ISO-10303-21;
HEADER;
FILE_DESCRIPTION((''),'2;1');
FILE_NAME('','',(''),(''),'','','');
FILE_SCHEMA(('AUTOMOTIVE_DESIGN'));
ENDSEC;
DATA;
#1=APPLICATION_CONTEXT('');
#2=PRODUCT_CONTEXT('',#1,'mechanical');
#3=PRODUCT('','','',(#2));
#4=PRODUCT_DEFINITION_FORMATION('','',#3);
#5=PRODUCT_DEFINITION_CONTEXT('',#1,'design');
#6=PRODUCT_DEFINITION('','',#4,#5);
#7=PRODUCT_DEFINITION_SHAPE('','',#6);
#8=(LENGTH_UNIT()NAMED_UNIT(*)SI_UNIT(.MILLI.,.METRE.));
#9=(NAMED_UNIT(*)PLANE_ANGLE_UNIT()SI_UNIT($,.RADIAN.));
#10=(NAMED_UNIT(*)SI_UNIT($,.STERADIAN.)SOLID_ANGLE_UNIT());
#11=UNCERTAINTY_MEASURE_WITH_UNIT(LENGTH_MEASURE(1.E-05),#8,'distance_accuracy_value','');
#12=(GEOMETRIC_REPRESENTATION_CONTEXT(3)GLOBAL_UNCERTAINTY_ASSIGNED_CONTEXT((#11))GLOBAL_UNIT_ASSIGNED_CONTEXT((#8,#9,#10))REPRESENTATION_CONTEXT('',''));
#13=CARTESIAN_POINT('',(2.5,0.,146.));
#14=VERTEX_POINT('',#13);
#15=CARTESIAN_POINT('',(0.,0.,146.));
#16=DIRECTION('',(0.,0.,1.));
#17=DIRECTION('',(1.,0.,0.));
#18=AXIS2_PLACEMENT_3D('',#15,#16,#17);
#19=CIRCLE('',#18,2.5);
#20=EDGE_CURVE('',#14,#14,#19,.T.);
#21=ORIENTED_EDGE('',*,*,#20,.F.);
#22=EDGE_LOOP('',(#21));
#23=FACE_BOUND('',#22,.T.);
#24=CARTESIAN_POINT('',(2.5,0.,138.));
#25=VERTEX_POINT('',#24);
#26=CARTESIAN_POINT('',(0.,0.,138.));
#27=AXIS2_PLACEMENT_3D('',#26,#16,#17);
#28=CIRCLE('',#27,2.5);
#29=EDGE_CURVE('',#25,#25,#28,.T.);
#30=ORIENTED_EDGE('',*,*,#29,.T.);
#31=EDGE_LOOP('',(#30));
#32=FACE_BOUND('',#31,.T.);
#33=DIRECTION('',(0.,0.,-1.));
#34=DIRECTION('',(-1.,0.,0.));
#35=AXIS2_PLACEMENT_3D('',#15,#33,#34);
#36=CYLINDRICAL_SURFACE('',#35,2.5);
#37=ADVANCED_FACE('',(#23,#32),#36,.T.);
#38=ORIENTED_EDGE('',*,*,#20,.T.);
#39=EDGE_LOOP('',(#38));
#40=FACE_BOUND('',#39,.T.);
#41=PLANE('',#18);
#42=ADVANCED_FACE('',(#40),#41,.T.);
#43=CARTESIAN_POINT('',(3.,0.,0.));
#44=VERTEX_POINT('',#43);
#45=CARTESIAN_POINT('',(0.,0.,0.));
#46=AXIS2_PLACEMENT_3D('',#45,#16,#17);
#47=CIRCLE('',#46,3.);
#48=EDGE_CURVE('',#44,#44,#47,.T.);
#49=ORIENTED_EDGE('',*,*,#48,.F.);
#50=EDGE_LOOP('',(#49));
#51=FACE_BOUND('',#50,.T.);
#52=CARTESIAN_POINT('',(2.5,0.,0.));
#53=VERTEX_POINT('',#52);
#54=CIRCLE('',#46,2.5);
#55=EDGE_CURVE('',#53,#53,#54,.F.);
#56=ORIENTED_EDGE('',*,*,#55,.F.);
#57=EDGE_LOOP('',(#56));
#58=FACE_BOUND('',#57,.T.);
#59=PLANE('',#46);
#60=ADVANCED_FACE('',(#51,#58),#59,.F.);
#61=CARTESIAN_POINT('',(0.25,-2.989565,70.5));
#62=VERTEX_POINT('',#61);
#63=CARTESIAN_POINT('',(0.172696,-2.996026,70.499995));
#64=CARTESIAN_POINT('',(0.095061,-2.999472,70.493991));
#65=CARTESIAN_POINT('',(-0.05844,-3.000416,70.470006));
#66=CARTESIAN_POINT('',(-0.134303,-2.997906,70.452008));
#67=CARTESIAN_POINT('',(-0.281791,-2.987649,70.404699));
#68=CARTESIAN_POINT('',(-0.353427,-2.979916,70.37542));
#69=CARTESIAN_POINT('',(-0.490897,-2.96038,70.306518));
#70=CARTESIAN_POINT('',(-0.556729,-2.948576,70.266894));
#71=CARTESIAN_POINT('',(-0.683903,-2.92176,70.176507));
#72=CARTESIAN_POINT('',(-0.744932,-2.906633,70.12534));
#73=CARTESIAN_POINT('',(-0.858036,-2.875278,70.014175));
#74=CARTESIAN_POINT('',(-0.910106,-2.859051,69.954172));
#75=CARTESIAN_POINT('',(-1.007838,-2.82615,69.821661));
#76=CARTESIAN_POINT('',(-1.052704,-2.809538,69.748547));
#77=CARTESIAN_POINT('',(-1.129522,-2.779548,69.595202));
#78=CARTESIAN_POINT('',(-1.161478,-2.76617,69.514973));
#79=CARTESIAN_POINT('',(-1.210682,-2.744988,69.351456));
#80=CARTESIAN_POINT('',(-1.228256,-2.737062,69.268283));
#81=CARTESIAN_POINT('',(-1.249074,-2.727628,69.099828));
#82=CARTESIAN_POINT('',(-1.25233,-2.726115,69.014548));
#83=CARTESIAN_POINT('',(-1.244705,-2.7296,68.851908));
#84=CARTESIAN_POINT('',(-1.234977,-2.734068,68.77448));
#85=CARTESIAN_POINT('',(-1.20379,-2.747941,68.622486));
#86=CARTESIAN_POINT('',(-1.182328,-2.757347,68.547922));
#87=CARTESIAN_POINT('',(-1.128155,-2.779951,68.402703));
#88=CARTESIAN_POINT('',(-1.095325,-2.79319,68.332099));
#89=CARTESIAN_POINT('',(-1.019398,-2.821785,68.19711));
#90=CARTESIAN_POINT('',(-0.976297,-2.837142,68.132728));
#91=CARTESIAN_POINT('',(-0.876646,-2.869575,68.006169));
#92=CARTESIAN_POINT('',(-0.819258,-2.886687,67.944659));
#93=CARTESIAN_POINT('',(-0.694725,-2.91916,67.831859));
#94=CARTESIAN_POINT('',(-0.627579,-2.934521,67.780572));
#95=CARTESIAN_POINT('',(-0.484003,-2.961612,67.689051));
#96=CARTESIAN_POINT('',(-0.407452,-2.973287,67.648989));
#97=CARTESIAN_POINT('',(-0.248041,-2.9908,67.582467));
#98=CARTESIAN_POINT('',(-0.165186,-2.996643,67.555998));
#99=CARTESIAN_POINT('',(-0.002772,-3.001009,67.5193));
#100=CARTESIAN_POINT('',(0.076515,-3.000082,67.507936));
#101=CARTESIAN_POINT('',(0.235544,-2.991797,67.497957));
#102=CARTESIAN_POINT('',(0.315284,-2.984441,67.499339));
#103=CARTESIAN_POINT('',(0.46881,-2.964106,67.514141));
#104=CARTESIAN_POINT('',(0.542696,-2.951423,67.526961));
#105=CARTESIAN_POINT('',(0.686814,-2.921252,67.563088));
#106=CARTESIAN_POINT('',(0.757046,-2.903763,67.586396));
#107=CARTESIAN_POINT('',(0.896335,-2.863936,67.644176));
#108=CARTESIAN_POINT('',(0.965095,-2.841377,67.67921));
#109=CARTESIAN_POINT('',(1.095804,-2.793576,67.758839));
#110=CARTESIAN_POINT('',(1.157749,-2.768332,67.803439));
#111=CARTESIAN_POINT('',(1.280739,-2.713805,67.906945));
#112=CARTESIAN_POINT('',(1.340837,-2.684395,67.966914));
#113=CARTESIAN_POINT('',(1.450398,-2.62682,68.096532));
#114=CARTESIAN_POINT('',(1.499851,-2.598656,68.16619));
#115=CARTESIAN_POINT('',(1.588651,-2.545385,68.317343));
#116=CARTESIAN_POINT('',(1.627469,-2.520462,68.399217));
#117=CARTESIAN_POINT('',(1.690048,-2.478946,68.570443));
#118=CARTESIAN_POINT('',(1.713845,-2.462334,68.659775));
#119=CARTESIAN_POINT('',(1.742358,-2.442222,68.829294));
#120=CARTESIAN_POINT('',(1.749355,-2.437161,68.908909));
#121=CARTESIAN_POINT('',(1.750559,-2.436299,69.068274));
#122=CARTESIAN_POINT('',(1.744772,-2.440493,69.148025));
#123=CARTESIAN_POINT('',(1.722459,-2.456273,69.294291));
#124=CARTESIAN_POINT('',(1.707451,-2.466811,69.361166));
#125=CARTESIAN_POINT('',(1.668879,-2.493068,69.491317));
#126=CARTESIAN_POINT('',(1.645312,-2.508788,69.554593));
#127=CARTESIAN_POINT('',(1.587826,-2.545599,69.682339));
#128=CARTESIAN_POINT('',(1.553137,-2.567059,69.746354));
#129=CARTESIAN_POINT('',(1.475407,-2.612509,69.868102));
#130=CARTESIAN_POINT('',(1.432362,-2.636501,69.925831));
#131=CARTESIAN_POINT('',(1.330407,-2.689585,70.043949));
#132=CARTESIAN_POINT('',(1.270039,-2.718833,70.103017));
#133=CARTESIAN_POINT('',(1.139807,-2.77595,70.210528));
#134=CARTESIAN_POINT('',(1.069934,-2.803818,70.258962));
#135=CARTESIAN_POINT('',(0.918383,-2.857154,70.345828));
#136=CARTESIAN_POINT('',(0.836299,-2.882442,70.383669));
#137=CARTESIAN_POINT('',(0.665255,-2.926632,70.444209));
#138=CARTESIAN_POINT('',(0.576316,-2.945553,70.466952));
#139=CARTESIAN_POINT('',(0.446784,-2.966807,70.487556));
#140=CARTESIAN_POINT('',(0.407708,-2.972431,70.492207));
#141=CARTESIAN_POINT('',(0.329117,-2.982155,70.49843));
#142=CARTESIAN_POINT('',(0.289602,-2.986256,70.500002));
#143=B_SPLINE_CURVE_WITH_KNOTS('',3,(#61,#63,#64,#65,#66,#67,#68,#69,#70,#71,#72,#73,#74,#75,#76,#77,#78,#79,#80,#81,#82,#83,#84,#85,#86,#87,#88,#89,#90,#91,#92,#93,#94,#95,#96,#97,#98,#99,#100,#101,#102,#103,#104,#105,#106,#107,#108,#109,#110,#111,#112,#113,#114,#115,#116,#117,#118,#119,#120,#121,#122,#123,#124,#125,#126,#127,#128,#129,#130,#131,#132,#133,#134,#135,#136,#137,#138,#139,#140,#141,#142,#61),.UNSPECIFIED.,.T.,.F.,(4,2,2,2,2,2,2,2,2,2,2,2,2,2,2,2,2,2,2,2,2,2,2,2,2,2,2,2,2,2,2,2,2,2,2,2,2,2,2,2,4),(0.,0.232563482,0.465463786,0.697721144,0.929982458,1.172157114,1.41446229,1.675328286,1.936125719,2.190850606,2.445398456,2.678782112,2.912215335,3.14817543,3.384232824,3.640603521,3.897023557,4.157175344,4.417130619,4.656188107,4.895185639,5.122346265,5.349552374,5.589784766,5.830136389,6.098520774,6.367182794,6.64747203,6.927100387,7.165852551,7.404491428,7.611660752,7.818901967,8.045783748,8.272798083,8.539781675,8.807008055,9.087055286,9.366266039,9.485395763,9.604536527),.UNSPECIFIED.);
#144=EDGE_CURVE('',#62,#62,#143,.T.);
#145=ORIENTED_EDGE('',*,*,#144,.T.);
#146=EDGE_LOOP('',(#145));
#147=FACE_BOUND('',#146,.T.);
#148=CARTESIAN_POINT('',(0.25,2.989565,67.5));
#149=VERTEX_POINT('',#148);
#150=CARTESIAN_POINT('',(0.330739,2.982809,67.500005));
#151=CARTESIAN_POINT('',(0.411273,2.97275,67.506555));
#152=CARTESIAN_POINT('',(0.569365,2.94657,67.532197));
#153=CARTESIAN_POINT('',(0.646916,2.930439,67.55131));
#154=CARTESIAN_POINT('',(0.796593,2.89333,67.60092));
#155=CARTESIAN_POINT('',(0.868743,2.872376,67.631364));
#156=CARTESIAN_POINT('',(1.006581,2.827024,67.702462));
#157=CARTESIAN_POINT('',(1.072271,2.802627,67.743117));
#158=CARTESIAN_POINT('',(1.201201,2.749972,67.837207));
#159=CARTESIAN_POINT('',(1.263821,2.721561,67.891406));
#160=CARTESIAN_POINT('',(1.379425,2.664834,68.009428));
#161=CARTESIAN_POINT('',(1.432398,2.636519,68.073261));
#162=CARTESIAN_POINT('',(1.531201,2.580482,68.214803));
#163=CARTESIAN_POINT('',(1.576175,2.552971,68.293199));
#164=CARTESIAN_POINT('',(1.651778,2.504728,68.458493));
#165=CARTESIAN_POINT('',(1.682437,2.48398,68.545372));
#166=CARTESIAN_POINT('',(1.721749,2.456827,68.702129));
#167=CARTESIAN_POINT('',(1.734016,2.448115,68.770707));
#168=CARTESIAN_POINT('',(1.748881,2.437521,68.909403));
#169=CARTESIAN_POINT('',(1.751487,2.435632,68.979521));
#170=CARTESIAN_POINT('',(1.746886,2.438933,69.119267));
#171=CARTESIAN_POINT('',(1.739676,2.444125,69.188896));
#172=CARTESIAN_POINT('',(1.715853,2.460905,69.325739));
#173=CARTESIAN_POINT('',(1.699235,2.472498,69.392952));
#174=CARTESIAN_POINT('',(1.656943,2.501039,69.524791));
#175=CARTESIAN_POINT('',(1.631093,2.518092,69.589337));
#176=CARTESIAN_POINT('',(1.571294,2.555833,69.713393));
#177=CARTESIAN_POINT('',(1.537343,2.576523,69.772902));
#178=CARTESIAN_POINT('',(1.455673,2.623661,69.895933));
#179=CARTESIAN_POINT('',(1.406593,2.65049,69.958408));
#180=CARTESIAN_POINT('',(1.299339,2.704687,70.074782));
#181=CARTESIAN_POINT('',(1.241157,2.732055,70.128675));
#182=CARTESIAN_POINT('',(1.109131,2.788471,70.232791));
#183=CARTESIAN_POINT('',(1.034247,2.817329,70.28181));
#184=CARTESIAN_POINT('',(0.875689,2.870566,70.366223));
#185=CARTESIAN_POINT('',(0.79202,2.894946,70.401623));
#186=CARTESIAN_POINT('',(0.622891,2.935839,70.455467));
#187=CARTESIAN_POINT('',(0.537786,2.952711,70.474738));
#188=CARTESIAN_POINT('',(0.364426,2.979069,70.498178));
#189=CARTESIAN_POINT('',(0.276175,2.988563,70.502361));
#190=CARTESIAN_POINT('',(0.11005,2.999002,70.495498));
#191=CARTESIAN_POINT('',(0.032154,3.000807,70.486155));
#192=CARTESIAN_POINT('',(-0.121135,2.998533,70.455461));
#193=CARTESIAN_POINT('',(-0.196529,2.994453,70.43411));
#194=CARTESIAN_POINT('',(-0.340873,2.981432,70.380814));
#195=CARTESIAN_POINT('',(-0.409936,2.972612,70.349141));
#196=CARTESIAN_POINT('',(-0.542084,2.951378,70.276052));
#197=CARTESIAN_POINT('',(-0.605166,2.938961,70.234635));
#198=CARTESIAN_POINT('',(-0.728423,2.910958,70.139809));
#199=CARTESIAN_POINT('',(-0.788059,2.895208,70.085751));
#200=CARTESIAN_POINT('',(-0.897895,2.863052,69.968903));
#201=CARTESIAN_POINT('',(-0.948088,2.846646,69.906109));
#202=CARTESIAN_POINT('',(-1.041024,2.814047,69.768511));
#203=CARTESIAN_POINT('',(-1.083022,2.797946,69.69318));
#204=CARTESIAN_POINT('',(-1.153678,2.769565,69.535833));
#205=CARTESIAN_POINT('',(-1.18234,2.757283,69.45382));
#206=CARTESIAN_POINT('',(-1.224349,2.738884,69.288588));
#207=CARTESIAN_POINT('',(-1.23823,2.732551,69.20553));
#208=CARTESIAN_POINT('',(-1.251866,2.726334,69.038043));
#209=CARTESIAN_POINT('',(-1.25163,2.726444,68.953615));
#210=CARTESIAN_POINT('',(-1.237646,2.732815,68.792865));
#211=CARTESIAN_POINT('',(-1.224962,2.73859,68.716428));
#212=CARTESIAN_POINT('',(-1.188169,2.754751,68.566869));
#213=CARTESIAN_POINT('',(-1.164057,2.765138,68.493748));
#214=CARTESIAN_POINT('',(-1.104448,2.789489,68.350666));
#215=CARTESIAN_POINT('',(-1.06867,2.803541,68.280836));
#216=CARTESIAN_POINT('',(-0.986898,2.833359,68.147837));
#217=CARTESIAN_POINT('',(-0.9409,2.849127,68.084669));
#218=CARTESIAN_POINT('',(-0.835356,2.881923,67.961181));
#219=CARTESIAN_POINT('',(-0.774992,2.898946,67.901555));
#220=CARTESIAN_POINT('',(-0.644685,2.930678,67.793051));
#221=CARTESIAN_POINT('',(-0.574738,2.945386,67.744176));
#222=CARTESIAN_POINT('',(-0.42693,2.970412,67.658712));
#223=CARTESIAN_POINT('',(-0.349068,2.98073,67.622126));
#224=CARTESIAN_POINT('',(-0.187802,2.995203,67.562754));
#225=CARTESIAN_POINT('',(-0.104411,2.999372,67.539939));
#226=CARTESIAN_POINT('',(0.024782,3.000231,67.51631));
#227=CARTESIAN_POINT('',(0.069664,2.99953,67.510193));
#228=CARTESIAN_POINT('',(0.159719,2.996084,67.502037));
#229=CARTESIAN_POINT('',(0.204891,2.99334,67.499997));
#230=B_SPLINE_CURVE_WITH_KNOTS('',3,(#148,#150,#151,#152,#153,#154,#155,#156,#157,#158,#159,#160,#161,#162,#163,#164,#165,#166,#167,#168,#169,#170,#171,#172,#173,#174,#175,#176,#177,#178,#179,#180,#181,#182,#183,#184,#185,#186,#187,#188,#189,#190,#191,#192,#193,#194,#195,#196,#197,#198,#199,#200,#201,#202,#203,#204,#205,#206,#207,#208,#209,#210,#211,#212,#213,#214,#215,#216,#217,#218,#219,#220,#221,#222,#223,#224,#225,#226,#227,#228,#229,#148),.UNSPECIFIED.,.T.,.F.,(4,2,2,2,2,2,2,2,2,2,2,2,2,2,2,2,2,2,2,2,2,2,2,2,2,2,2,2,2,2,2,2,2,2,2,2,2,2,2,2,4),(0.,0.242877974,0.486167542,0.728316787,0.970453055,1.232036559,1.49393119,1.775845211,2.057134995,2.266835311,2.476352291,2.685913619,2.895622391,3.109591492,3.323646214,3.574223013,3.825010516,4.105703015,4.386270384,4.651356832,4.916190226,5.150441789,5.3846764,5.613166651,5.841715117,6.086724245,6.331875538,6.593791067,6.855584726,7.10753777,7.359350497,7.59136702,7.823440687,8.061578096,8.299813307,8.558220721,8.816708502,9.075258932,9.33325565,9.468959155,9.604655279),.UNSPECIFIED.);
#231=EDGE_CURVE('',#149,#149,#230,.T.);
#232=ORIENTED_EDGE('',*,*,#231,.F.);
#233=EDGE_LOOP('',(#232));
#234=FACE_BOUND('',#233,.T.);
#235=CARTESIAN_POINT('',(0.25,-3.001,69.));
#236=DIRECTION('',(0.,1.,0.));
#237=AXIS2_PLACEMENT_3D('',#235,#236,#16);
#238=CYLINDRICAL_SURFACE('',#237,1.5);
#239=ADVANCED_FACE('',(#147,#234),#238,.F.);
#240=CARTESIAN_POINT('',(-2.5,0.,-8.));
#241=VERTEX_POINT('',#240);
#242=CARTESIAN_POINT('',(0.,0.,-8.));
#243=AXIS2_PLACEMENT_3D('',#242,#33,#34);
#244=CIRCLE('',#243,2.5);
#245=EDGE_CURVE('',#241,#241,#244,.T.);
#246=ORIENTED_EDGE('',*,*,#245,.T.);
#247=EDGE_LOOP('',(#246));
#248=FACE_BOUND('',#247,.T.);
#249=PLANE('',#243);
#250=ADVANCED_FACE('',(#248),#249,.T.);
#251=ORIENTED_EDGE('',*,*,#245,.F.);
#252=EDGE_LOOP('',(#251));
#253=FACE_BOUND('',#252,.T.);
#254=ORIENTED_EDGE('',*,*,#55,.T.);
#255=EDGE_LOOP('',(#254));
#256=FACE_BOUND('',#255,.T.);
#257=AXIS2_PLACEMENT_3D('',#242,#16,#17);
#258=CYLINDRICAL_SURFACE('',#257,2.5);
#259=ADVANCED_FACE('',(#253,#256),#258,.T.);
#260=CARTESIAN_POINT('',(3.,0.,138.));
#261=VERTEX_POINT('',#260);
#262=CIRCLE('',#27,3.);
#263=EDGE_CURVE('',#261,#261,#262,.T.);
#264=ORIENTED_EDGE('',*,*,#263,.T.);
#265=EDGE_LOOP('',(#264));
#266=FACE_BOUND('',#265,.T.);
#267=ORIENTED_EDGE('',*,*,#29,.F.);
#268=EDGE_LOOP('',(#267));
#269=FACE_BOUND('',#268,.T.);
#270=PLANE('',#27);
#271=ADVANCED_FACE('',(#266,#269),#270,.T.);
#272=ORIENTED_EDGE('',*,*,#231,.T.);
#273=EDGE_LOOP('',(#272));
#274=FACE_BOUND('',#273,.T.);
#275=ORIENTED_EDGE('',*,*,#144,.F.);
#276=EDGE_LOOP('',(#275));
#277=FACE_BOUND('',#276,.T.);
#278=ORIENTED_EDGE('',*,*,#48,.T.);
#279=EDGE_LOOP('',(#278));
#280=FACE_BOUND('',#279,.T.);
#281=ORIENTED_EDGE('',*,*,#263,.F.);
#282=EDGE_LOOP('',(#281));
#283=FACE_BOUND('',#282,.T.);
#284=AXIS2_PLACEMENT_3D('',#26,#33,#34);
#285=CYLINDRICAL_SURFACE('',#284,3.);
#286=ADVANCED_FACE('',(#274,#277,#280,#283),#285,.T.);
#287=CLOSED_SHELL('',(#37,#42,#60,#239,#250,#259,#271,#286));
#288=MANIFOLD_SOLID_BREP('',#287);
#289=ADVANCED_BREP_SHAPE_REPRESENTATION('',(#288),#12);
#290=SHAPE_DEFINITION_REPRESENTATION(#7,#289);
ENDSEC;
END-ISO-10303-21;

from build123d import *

# Parameters (mm, degrees)
SKETCH1_R                           = 3
BOSS_EXTRUDE1_DEPTH                 = 138
SKETCH2_R                           = 2.5
BOSS_EXTRUDE2_DEPTH                 = 8
BOSS_EXTRUDE3_START                 = 8
SKETCH3_R                           = 2.5
BOSS_EXTRUDE3_DEPTH                 = 8
CUT_EXTRUDE1_REACH                  = 148.062
CUT_EXTRUDE1_END_RADIUS             = 3
SKETCH4_R                           = 1.5
CUT_EXTRUDE1_DIRECTION_2_REACH      = 148.062
CUT_EXTRUDE1_DIRECTION_2_END_RADIUS = 3


with BuildPart() as part:
    # Sketch1 → Boss-Extrude1 (new body)
    with BuildSketch(Plane.XY):
        Circle(SKETCH1_R)
    extrude(amount=BOSS_EXTRUDE1_DEPTH)

    # Sketch2 → Boss-Extrude2 (add)
    with BuildSketch(Plane.XY.offset(138)):
        Circle(SKETCH2_R)
    extrude(amount=BOSS_EXTRUDE2_DEPTH)

    # Sketch3 → Boss-Extrude3 (add)
    with BuildSketch(Plane(origin=(0, 0, 0), x_dir=(-1, 0, 0), z_dir=(0, 0, -1)).offset(BOSS_EXTRUDE3_START)):
        with Locations(Location((0, 0, 0), (0, 0, 180))):
            Circle(SKETCH3_R)
    extrude(amount=-BOSS_EXTRUDE3_DEPTH)

    # Cut-Extrude1: up to this cylinder (the profile starts inside it)
    cut_extrude1_end = Plane(origin=(0, 0, 69), z_dir=(0, 0, -1)) * Cylinder(CUT_EXTRUDE1_END_RADIUS, 303.124, mode=Mode.PRIVATE)
    # Sketch4 → Cut-Extrude1 (cut, up to the surface)
    with BuildSketch(Plane(origin=(0, 0, 0), x_dir=(1, 0, 0), z_dir=(0, 1, 0)), mode=Mode.PRIVATE) as cut_extrude1_sk1:
        with Locations(Location((0.25, -69, 0), (0, 0, 270))):
            Circle(SKETCH4_R)
    cut_extrude1_tool1 = extrude(cut_extrude1_sk1.sketch, amount=-CUT_EXTRUDE1_REACH, mode=Mode.PRIVATE) & cut_extrude1_end
    add(cut_extrude1_tool1.solids().sort_by_distance((0.25, 0, 69))[0], mode=Mode.SUBTRACT)

    # Cut-Extrude1 direction 2: up to this cylinder (the profile starts inside it)
    cut_extrude1_direction_2_end = Plane(origin=(0, 0, 69), z_dir=(0, 0, -1)) * Cylinder(CUT_EXTRUDE1_DIRECTION_2_END_RADIUS, 303.124, mode=Mode.PRIVATE)
    # Sketch4 → Cut-Extrude1 direction 2 (cut, up to the surface)
    with BuildSketch(Plane(origin=(0, 0, 0), x_dir=(1, 0, 0), z_dir=(0, 1, 0)), mode=Mode.PRIVATE) as cut_extrude1_direction_2_sk1:
        with Locations(Location((0.25, -69, 0), (0, 0, 270))):
            Circle(SKETCH4_R)
    cut_extrude1_direction_2_tool1 = extrude(cut_extrude1_direction_2_sk1.sketch, amount=CUT_EXTRUDE1_DIRECTION_2_REACH, mode=Mode.PRIVATE) & cut_extrude1_direction_2_end
    add(cut_extrude1_direction_2_tool1.solids().sort_by_distance((0.25, 0, 69))[0], mode=Mode.SUBTRACT)


solid = part.part
